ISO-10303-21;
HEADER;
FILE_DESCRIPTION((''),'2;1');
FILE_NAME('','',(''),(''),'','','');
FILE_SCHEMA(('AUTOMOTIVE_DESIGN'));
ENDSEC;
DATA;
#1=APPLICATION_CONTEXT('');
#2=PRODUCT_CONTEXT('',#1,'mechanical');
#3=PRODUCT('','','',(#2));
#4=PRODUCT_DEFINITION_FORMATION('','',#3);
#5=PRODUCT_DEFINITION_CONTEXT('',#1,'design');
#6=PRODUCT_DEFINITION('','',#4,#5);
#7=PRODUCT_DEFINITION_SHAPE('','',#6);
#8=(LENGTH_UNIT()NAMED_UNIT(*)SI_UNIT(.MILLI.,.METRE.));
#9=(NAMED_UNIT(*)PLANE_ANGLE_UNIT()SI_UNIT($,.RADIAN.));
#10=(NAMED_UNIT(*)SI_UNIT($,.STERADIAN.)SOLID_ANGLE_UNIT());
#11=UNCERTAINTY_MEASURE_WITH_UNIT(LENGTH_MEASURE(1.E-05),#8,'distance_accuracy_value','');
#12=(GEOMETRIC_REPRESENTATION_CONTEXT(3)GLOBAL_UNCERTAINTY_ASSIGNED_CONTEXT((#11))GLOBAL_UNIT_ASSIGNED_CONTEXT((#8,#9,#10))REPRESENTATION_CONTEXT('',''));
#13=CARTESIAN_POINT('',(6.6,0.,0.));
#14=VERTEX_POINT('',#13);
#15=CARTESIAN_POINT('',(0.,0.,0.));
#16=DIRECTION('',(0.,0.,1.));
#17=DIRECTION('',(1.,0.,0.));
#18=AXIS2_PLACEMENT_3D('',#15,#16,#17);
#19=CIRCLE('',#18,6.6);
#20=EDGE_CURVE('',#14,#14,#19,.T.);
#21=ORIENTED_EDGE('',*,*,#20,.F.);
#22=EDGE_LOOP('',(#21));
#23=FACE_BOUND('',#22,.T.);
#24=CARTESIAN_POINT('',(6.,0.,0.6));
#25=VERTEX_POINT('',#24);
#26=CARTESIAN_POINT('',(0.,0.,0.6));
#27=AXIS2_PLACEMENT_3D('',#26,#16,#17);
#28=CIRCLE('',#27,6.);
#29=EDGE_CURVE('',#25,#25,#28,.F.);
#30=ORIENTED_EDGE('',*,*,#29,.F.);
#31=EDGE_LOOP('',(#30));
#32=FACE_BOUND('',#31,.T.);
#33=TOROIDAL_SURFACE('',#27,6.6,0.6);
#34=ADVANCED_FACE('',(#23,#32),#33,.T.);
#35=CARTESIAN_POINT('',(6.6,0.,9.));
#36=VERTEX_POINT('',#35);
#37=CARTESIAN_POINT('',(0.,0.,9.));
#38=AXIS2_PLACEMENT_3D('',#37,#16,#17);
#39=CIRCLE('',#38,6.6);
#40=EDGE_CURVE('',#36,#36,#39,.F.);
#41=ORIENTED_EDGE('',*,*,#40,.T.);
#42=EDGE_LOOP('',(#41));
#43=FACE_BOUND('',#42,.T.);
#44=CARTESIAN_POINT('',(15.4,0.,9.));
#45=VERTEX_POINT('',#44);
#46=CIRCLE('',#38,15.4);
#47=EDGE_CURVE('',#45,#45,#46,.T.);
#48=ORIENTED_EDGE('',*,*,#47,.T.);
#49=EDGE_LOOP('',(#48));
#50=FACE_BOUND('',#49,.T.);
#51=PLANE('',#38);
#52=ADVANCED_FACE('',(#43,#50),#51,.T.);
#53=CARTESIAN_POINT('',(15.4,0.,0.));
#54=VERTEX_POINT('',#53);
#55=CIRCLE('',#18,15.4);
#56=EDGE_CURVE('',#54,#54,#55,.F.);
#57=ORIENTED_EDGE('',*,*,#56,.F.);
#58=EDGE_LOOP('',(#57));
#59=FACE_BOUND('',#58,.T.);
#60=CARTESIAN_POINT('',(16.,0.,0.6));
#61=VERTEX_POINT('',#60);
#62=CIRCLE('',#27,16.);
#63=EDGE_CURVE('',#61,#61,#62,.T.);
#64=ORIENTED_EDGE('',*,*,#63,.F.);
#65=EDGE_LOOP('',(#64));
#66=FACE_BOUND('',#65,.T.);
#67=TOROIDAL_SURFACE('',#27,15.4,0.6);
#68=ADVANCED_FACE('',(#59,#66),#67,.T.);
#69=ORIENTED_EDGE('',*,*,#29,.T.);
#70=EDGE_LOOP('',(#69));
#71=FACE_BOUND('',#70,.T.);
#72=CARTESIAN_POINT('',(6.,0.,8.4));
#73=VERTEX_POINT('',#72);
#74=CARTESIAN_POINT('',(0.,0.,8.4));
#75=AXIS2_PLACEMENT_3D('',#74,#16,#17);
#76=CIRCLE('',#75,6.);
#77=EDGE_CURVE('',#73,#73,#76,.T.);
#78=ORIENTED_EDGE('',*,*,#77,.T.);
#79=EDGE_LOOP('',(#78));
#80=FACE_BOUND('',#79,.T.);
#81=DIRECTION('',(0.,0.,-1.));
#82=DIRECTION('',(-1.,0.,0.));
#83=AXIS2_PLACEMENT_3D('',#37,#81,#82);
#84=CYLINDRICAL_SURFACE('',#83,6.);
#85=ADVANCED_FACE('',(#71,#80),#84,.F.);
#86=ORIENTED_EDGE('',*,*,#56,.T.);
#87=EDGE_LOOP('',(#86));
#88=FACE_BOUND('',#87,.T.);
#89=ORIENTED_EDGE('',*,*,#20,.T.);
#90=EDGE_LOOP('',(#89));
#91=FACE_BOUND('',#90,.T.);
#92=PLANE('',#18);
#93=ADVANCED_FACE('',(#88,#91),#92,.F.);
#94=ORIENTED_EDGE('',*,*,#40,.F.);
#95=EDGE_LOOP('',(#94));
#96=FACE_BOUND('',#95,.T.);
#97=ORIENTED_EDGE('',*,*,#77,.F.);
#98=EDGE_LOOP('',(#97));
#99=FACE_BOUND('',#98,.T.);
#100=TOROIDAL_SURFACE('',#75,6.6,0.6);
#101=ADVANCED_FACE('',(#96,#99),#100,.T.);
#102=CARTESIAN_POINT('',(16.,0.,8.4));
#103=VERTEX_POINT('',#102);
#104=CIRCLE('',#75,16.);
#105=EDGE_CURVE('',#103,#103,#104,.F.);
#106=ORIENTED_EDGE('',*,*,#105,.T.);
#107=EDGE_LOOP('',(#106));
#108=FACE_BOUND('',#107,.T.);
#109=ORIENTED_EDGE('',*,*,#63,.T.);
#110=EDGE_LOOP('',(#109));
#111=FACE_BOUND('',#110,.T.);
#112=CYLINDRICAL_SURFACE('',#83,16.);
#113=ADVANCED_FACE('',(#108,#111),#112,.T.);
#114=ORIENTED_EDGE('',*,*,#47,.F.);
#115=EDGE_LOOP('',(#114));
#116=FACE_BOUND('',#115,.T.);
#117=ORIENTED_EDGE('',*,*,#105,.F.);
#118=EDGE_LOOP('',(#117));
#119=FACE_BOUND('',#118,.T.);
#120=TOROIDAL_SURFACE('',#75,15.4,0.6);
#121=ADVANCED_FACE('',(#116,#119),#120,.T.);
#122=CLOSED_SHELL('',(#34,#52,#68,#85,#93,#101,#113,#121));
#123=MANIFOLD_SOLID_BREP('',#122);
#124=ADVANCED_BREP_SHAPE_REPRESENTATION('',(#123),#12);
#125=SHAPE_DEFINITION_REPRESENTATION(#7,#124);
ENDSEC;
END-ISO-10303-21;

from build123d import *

# Parameters (mm, degrees)
CROQUIS1_R              = 16
CROQUIS1_R_2            = 6
SALIENTE_EXTRUIR1_DEPTH = 9
REDONDEO1_R             = 0.6


with BuildPart() as part:
    # Croquis1 → Saliente-Extruir1 (new body)
    with BuildSketch(Plane.XY):
        Circle(CROQUIS1_R)
        Circle(CROQUIS1_R_2, mode=Mode.SUBTRACT)
    extrude(amount=SALIENTE_EXTRUIR1_DEPTH)

    # Redondeo1
    redondeo1_edges = [part.edges().sort_by_distance(p)[0] for p in [
        (-16, 0, 0),
        (-16, 0, 9),
        (-6, 0, 0),
        (-6, 0, 9),
    ]]
    fillet(redondeo1_edges, radius=REDONDEO1_R)


solid = part.part
